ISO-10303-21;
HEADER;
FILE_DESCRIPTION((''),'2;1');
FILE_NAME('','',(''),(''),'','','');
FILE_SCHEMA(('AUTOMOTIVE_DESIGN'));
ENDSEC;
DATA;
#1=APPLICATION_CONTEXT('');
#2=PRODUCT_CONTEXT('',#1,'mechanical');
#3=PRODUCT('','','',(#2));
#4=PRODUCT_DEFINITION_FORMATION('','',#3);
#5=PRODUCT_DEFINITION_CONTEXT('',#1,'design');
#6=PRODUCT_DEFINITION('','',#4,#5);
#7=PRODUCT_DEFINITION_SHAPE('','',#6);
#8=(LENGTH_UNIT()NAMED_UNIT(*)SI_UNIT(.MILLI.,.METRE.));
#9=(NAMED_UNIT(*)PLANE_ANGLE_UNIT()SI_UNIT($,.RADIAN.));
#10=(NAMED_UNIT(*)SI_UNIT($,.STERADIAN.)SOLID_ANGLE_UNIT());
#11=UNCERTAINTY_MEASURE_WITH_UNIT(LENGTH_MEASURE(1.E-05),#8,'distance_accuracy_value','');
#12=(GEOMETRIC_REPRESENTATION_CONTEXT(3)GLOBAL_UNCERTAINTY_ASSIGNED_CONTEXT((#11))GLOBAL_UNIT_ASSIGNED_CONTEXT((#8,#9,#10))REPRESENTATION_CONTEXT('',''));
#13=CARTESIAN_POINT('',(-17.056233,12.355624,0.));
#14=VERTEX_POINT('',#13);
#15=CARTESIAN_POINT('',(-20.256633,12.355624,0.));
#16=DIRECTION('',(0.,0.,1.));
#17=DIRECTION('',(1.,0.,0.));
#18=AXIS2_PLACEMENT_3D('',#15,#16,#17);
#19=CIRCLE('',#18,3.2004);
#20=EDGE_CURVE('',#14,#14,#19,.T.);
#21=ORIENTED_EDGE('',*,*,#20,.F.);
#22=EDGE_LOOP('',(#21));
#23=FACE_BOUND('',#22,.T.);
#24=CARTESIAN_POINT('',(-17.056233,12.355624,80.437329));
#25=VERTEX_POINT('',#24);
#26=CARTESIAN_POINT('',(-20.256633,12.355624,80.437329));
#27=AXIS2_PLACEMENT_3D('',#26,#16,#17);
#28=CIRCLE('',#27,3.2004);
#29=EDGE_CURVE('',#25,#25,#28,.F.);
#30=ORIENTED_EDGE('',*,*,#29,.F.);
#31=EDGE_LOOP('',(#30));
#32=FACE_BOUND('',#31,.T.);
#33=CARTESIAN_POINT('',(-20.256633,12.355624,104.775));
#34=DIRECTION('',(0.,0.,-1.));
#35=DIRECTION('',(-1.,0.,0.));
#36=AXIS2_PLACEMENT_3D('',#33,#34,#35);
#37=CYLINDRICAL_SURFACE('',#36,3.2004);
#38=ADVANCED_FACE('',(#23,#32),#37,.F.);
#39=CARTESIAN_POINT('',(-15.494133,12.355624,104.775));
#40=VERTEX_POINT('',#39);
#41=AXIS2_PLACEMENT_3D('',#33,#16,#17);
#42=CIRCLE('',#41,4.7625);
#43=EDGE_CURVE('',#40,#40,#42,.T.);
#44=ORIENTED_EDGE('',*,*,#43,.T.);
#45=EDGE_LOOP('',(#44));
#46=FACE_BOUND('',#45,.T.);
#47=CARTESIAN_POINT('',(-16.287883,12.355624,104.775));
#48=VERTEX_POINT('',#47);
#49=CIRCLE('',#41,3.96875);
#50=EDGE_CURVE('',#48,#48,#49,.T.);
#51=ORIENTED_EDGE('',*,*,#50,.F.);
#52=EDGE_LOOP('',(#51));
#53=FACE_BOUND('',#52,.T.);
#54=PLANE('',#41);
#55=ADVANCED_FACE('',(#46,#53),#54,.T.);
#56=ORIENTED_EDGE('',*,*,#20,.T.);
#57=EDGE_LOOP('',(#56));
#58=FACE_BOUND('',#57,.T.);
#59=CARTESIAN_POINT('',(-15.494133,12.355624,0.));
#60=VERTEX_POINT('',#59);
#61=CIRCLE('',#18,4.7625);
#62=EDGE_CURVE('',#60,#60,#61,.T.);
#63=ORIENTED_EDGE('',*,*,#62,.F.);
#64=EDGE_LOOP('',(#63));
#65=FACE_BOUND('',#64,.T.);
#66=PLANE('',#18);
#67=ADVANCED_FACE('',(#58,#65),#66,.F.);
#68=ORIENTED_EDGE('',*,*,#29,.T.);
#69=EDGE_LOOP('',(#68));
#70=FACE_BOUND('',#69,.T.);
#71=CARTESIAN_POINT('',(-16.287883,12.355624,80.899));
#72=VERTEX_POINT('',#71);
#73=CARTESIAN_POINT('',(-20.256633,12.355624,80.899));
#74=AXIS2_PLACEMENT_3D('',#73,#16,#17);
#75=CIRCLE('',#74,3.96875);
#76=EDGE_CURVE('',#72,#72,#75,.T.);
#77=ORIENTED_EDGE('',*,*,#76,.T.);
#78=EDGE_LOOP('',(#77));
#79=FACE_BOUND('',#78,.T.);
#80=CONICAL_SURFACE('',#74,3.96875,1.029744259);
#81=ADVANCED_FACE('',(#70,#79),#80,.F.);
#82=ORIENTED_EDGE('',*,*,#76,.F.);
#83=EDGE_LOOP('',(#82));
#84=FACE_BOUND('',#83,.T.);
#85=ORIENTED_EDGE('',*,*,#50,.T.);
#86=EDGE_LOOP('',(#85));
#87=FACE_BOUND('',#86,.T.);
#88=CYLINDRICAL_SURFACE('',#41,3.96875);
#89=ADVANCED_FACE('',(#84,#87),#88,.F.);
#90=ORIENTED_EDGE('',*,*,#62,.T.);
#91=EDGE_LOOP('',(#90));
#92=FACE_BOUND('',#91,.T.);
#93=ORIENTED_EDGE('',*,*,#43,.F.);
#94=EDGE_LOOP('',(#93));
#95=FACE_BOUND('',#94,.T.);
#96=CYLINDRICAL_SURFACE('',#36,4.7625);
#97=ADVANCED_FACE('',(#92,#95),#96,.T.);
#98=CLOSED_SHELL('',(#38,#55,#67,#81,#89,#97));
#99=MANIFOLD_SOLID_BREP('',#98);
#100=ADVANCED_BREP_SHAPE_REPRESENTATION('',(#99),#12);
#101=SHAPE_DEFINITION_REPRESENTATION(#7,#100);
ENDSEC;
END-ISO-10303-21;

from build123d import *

# Parameters (mm, degrees)
SKETCH1_R                   = 4.7625
SKETCH1_R_2                 = 3.2004
BOSS_EXTRUDE1_DEPTH         = 104.775
F_3_8_16_TAPPED_HOLE2_D     = 7.9375
F_3_8_16_TAPPED_HOLE2_DEPTH = 23.876
F_3_8_16_TAPPED_HOLE2_TIP   = 2.384665582


with BuildPart() as part:
    # Sketch1 → Boss-Extrude1 (new body)
    with BuildSketch(Plane.XY):
        with Locations((-20.256632663, 12.355623707)):
            Circle(SKETCH1_R)
        with Locations((-20.256632663, 12.355623707)):
            Circle(SKETCH1_R_2, mode=Mode.SUBTRACT)
    extrude(amount=BOSS_EXTRUDE1_DEPTH)

    # 3/8-16 Tapped Hole2
    with Locations(Plane.XY.offset(104.775)):
        with Locations((-20.256632663, 12.355623707)):
            Hole(F_3_8_16_TAPPED_HOLE2_D / 2, depth=F_3_8_16_TAPPED_HOLE2_DEPTH)
            with Locations((0, 0, -(F_3_8_16_TAPPED_HOLE2_DEPTH + F_3_8_16_TAPPED_HOLE2_TIP / 2))):  # 118° drill point
                Cone(0, F_3_8_16_TAPPED_HOLE2_D / 2, F_3_8_16_TAPPED_HOLE2_TIP, mode=Mode.SUBTRACT)


solid = part.part
